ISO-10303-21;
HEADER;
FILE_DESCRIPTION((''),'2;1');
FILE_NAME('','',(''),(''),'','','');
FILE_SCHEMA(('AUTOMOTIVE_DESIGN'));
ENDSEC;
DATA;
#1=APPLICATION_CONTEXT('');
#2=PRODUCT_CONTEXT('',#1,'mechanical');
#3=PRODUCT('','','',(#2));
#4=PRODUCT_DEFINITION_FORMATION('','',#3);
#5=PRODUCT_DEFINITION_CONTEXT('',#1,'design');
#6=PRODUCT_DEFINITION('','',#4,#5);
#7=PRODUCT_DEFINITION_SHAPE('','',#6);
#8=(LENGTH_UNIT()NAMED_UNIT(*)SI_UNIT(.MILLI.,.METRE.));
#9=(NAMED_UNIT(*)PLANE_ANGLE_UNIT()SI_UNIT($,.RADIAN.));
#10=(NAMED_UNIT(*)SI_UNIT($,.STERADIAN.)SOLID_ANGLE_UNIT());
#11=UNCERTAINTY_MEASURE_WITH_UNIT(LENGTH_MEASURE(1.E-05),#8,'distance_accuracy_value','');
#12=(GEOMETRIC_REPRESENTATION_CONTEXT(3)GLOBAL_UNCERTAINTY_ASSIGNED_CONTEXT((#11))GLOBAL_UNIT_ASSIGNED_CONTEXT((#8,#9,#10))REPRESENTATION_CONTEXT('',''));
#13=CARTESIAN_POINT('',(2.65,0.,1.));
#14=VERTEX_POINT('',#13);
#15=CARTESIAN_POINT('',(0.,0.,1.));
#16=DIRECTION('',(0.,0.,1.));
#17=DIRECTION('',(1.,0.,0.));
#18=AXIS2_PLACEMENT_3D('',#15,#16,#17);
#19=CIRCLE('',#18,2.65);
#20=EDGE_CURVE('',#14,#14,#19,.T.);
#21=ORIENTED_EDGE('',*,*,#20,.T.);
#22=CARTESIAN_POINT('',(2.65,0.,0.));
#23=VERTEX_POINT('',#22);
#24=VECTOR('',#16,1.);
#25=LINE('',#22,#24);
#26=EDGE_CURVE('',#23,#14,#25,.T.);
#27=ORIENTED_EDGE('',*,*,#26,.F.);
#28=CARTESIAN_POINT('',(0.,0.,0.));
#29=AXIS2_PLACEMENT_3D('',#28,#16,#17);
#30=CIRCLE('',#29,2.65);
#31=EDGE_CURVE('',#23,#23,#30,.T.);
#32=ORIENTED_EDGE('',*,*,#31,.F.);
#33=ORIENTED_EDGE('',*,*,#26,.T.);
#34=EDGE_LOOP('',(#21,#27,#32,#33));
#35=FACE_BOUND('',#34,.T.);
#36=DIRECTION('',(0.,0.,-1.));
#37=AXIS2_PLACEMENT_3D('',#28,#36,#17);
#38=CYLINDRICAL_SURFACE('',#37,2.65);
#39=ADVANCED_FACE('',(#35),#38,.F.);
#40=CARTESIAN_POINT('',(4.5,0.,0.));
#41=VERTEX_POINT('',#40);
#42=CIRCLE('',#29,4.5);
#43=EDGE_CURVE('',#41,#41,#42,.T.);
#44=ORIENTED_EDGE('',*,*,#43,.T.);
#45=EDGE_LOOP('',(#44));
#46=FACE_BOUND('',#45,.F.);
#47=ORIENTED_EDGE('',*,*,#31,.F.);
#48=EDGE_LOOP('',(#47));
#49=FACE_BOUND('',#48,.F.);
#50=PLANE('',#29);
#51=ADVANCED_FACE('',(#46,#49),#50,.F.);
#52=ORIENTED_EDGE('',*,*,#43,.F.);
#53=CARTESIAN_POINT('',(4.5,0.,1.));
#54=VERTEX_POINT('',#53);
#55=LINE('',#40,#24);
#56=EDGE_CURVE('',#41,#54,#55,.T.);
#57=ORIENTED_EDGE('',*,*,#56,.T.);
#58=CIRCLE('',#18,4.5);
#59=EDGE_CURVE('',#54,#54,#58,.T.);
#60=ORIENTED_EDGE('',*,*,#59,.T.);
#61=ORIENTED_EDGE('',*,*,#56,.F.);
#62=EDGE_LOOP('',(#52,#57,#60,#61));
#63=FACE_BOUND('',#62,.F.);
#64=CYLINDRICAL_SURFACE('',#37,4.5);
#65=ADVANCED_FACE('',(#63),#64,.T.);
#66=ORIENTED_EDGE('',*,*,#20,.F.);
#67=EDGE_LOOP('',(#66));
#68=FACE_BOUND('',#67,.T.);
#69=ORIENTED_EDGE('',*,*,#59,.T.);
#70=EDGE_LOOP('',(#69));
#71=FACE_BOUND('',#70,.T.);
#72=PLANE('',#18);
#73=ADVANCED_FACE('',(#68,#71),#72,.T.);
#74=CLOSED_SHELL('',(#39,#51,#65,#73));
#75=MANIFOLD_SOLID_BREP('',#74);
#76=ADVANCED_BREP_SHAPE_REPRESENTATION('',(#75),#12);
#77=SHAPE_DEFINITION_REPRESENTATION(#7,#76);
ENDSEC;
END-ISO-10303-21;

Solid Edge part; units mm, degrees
sketch "Sketch1" plane through (0, 0, 0) normal (0, 0, 1) x (1, 0, 0)
  circle A0 centre (0, 0) radius 4.5
  circle A1 centre (0, 0) radius 2.65
  dimension "D1" = 5.3
  dimension "D2" = 9
extrude "Protrusion1" add sketch "Sketch1" along normal blind 1
properties material "Steel"
